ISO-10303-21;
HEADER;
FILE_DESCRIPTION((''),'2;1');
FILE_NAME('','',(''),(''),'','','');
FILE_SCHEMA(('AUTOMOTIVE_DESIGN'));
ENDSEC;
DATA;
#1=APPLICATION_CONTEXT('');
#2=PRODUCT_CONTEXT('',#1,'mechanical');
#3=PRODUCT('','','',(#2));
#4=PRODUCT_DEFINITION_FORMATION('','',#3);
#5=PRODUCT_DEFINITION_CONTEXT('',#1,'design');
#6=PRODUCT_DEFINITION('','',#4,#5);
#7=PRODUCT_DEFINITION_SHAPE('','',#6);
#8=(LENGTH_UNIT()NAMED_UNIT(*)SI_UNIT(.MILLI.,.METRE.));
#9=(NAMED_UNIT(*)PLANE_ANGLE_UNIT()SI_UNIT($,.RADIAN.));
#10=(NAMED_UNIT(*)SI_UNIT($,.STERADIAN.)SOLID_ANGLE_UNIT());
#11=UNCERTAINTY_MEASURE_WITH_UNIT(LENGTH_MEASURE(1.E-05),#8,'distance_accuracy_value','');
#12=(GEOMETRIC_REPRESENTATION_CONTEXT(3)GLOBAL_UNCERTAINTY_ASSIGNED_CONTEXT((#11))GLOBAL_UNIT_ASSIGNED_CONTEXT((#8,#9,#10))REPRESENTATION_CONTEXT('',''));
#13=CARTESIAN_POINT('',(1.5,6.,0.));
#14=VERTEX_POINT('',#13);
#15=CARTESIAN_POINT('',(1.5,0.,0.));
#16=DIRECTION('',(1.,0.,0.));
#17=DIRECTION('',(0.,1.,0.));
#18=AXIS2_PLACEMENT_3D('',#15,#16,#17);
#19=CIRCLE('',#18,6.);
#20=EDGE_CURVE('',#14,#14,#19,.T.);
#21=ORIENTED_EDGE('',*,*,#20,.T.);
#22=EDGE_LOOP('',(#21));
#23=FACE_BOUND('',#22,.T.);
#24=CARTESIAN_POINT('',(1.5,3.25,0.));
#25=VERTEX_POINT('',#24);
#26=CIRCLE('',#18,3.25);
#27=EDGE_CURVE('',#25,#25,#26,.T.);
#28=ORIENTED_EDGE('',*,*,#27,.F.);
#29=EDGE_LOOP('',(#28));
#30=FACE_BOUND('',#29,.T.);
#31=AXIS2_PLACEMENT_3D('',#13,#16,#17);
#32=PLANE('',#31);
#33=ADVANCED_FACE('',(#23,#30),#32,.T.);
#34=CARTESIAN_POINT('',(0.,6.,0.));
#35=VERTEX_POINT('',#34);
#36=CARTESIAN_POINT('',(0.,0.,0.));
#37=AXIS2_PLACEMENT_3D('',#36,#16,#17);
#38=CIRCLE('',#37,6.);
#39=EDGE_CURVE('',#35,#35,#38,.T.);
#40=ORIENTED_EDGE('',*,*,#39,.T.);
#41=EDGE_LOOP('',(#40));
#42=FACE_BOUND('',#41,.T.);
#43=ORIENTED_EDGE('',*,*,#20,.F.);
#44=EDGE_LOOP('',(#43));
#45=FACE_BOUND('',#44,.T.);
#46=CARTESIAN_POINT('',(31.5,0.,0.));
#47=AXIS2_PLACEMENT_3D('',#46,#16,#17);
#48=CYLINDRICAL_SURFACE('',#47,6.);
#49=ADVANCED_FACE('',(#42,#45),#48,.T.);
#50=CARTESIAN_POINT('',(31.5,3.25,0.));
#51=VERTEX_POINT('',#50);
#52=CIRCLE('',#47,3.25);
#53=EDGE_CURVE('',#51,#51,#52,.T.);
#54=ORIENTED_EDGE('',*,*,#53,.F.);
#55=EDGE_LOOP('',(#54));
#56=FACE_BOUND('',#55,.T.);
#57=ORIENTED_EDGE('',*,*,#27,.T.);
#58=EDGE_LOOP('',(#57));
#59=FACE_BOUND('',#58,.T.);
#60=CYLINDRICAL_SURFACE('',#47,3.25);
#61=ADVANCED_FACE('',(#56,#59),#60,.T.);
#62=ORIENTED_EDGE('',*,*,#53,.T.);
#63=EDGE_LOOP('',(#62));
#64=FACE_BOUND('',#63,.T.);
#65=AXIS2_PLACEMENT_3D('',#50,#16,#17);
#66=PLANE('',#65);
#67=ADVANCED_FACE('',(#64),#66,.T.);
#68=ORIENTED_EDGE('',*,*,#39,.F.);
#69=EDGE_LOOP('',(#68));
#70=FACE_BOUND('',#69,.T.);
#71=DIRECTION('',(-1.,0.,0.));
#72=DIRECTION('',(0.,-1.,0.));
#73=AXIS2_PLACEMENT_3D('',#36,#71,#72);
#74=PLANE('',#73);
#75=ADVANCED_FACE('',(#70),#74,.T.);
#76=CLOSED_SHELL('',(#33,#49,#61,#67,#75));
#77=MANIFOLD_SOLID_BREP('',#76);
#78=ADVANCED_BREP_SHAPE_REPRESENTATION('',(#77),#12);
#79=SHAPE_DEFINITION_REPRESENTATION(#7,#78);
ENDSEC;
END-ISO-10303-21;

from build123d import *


with BuildPart() as part:
    # Croquis1 → Revolución1 (revolve)
    with BuildSketch(Plane.XY):
        Polygon((0, 0), (0, 6), (1.5, 6), (1.5, 3.25), (31.5, 3.25), (31.5, 0), align=None)
    revolve(axis=Axis((31.5, 0, 0), (-1, 0, 0)))


solid = part.part
